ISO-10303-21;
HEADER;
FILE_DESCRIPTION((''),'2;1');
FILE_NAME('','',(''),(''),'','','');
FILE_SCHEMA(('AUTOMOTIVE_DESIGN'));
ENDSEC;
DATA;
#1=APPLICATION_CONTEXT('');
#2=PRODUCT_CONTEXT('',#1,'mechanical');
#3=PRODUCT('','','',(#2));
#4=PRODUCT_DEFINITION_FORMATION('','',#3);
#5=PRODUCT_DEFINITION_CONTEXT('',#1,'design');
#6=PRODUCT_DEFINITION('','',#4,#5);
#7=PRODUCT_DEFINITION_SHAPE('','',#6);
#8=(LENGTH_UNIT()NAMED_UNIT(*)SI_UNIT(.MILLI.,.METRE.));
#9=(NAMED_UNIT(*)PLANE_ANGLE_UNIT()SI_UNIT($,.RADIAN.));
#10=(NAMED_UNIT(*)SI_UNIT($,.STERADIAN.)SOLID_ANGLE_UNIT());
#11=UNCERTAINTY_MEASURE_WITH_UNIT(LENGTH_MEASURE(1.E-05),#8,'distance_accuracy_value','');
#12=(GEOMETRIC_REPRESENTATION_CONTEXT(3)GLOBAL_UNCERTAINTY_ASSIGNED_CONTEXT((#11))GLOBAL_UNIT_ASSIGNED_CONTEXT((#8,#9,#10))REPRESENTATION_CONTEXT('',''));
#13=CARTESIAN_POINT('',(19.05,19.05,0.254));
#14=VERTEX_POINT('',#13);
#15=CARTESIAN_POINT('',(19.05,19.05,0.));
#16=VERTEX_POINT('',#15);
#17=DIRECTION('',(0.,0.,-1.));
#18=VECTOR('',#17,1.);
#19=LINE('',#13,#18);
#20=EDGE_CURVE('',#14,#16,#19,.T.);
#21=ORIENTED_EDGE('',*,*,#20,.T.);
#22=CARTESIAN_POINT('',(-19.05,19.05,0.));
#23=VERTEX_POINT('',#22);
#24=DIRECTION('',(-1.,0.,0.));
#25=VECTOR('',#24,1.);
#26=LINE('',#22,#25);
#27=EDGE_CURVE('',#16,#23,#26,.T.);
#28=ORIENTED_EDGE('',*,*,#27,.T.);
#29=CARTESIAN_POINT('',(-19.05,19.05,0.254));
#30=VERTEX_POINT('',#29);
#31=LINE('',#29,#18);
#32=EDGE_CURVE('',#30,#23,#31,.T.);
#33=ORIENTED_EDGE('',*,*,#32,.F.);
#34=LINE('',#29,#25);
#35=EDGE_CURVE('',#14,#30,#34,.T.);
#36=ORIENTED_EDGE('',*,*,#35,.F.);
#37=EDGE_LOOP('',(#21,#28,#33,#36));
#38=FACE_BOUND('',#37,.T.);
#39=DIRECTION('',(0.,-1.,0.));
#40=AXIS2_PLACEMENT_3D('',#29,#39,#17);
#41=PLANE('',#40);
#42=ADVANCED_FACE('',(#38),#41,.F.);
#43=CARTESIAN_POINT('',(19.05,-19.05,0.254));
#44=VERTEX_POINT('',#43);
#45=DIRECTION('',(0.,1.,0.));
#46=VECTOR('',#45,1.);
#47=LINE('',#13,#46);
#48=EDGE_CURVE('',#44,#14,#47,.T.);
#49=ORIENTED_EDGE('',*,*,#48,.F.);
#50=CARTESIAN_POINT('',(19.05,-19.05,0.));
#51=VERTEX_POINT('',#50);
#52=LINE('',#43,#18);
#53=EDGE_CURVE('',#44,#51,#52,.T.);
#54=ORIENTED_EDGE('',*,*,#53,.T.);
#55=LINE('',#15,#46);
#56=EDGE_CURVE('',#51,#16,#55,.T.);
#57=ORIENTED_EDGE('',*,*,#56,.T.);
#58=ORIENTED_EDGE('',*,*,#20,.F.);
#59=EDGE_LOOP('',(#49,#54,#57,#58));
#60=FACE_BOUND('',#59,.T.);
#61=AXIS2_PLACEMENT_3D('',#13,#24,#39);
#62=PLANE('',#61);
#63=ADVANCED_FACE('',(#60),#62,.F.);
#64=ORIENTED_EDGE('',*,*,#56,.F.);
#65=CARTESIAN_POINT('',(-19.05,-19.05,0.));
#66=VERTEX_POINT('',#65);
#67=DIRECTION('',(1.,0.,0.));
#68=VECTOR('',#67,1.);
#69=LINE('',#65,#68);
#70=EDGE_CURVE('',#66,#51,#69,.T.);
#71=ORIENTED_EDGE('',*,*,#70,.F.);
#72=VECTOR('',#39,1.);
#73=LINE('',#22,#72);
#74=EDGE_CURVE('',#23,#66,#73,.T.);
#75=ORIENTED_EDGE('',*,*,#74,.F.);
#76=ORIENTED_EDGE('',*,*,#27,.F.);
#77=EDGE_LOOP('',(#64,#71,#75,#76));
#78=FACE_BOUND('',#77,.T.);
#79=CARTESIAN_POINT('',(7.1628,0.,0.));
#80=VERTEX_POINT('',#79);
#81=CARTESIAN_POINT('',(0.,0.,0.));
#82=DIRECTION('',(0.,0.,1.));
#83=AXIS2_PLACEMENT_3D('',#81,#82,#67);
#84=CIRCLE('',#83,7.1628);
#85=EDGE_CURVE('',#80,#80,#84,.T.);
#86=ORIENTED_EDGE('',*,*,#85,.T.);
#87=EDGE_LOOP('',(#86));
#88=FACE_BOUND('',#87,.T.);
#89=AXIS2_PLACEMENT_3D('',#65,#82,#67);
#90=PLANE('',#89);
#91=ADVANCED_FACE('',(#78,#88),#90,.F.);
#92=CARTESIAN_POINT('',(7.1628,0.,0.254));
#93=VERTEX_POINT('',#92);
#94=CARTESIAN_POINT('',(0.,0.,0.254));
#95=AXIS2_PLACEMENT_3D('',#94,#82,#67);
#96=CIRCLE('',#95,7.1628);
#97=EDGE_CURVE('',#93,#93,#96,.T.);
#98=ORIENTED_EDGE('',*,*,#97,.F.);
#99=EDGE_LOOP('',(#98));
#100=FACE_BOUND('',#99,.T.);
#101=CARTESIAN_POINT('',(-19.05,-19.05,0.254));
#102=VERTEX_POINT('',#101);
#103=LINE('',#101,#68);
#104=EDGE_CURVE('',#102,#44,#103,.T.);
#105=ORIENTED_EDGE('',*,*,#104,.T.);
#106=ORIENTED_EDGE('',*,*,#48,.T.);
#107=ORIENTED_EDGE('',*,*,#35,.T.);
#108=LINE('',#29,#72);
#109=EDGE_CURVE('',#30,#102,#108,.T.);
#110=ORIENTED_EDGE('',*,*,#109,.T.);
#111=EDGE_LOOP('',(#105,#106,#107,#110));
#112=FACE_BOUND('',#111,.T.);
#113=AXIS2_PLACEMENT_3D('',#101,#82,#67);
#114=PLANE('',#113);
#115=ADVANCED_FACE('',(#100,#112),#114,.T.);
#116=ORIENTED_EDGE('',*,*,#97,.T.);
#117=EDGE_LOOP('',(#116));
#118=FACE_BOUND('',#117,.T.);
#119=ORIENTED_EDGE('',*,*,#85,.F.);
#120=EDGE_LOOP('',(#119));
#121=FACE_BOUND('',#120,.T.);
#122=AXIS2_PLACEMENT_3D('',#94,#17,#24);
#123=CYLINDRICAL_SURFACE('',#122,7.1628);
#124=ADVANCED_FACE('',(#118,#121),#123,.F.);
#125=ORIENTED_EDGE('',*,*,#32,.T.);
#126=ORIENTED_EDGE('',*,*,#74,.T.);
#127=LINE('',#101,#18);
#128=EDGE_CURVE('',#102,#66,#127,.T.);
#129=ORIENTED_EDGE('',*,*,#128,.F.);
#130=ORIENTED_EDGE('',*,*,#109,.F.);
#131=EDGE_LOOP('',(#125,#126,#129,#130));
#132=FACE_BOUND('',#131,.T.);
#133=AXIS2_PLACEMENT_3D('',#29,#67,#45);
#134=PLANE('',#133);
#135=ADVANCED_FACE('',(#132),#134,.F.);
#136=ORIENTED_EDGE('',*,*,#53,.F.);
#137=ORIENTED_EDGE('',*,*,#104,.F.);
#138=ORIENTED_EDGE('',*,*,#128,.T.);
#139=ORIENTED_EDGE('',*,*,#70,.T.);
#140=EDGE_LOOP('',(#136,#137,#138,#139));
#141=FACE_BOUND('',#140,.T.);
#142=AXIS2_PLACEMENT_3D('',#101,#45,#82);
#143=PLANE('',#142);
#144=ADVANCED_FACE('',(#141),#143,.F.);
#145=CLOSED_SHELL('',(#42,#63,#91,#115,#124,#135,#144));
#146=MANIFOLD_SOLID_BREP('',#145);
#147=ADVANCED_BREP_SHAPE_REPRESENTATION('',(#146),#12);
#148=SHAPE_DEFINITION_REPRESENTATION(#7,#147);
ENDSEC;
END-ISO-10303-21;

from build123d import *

# Parameters (mm, degrees)
SKETCH1_W           = 38.1
SKETCH1_H           = 38.1
BOSS_EXTRUDE1_DEPTH = 0.254
SKETCH3_R           = 7.1628
CUT_EXTRUDE2_DEPTH  = 27.941965704


with BuildPart() as part:
    # Sketch1 → Boss-Extrude1 (new body)
    with BuildSketch(Plane.XY):
        Rectangle(SKETCH1_W, SKETCH1_H)
    extrude(amount=BOSS_EXTRUDE1_DEPTH)

    # Sketch3 → Cut-Extrude2 (cut, through all)
    with BuildSketch(Plane.XY):
        Circle(SKETCH3_R)
    extrude(amount=CUT_EXTRUDE2_DEPTH, mode=Mode.SUBTRACT)


solid = part.part
